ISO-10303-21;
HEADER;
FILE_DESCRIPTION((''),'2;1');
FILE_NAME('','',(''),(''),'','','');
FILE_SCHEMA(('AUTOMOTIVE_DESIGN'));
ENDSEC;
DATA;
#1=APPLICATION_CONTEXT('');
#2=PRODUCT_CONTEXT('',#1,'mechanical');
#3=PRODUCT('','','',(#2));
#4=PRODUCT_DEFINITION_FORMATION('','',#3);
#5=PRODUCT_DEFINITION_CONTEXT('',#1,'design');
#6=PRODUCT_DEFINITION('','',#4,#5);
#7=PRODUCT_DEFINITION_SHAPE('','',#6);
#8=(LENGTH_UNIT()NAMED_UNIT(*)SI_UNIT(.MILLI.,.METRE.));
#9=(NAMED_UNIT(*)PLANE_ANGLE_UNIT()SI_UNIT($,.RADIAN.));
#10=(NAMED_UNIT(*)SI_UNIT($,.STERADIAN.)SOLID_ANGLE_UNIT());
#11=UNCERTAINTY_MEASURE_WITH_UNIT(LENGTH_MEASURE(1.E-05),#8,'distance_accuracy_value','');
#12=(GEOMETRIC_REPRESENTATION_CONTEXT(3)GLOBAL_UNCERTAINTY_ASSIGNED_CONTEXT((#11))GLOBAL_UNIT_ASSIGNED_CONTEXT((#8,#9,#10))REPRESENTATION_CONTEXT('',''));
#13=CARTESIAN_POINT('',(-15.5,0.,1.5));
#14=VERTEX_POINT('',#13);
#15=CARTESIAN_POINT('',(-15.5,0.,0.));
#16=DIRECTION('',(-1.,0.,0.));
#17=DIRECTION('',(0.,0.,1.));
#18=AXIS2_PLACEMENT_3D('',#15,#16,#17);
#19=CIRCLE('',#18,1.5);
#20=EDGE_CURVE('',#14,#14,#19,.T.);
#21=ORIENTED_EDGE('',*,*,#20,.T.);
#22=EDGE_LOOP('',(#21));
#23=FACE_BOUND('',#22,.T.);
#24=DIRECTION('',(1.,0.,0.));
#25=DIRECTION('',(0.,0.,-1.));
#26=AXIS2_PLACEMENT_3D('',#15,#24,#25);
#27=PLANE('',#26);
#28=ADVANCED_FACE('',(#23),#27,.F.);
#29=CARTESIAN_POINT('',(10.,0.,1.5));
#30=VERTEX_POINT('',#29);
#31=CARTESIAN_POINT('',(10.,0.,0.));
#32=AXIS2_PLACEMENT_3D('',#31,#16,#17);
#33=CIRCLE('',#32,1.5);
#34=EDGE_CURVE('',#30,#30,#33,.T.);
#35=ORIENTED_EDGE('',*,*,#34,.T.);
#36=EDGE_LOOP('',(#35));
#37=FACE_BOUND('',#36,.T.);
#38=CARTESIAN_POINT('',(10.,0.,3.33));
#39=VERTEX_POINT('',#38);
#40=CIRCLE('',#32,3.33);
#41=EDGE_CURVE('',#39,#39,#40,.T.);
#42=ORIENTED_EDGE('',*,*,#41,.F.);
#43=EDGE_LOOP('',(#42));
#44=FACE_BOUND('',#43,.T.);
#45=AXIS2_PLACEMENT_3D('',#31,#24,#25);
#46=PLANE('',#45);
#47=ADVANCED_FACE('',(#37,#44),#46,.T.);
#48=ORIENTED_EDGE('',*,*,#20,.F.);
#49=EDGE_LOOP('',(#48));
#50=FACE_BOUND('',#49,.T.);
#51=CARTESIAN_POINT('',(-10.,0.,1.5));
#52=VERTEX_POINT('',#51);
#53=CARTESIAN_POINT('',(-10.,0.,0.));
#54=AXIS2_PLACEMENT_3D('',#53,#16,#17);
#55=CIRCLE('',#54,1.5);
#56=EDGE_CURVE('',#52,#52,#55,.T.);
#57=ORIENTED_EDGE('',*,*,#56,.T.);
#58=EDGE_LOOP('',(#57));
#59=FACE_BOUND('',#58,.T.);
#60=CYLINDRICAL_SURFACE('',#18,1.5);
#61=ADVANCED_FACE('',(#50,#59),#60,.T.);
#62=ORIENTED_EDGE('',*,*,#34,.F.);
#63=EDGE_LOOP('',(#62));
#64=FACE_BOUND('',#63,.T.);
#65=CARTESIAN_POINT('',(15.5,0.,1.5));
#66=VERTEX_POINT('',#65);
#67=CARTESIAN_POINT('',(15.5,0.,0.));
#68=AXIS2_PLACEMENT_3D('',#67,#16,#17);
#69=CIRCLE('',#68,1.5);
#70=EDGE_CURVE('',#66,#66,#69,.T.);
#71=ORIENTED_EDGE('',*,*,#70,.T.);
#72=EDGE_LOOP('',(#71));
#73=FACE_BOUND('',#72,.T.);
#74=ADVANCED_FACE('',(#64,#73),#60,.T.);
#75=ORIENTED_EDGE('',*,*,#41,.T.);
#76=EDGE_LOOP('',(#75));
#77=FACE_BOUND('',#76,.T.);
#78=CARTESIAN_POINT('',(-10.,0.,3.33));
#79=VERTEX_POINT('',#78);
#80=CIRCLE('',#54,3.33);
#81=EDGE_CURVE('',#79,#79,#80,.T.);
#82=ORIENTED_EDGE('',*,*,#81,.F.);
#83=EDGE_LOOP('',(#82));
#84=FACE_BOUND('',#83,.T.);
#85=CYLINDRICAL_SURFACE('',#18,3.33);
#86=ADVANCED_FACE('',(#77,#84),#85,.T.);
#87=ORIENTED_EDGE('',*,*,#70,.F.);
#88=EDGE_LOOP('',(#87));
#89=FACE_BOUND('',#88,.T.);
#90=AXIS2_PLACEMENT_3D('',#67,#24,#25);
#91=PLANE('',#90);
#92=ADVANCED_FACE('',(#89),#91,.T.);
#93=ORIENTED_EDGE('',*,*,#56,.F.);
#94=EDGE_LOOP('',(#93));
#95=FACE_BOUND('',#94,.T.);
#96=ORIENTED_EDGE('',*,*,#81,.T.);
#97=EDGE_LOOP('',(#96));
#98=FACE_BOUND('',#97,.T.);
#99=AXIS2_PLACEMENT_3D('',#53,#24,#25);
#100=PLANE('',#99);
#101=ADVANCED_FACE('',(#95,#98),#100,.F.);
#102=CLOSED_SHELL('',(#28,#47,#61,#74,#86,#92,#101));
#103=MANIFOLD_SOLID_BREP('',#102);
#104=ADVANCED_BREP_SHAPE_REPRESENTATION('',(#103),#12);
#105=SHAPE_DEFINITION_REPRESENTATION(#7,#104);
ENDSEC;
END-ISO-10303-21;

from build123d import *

# Parameters (mm, degrees)
SKETCH1_W = 5.5
SKETCH1_H = 1.5


with BuildPart() as part:
    # Sketch1 → Revolve1 (revolve)
    with BuildSketch(Plane.XY):
        Polygon((-10, 0), (10, 0), (10, 1.5), (10, 3.33), (-10, 3.33), (-10, 1.5), align=None)
        with Locations((-12.75, 0.75)):
            Rectangle(SKETCH1_W, SKETCH1_H)
        with Locations((12.75, 0.75)):
            Rectangle(SKETCH1_W, SKETCH1_H)
    revolve(axis=Axis((-15.5, 0, 0), (1, 0, 0)))


solid = part.part
